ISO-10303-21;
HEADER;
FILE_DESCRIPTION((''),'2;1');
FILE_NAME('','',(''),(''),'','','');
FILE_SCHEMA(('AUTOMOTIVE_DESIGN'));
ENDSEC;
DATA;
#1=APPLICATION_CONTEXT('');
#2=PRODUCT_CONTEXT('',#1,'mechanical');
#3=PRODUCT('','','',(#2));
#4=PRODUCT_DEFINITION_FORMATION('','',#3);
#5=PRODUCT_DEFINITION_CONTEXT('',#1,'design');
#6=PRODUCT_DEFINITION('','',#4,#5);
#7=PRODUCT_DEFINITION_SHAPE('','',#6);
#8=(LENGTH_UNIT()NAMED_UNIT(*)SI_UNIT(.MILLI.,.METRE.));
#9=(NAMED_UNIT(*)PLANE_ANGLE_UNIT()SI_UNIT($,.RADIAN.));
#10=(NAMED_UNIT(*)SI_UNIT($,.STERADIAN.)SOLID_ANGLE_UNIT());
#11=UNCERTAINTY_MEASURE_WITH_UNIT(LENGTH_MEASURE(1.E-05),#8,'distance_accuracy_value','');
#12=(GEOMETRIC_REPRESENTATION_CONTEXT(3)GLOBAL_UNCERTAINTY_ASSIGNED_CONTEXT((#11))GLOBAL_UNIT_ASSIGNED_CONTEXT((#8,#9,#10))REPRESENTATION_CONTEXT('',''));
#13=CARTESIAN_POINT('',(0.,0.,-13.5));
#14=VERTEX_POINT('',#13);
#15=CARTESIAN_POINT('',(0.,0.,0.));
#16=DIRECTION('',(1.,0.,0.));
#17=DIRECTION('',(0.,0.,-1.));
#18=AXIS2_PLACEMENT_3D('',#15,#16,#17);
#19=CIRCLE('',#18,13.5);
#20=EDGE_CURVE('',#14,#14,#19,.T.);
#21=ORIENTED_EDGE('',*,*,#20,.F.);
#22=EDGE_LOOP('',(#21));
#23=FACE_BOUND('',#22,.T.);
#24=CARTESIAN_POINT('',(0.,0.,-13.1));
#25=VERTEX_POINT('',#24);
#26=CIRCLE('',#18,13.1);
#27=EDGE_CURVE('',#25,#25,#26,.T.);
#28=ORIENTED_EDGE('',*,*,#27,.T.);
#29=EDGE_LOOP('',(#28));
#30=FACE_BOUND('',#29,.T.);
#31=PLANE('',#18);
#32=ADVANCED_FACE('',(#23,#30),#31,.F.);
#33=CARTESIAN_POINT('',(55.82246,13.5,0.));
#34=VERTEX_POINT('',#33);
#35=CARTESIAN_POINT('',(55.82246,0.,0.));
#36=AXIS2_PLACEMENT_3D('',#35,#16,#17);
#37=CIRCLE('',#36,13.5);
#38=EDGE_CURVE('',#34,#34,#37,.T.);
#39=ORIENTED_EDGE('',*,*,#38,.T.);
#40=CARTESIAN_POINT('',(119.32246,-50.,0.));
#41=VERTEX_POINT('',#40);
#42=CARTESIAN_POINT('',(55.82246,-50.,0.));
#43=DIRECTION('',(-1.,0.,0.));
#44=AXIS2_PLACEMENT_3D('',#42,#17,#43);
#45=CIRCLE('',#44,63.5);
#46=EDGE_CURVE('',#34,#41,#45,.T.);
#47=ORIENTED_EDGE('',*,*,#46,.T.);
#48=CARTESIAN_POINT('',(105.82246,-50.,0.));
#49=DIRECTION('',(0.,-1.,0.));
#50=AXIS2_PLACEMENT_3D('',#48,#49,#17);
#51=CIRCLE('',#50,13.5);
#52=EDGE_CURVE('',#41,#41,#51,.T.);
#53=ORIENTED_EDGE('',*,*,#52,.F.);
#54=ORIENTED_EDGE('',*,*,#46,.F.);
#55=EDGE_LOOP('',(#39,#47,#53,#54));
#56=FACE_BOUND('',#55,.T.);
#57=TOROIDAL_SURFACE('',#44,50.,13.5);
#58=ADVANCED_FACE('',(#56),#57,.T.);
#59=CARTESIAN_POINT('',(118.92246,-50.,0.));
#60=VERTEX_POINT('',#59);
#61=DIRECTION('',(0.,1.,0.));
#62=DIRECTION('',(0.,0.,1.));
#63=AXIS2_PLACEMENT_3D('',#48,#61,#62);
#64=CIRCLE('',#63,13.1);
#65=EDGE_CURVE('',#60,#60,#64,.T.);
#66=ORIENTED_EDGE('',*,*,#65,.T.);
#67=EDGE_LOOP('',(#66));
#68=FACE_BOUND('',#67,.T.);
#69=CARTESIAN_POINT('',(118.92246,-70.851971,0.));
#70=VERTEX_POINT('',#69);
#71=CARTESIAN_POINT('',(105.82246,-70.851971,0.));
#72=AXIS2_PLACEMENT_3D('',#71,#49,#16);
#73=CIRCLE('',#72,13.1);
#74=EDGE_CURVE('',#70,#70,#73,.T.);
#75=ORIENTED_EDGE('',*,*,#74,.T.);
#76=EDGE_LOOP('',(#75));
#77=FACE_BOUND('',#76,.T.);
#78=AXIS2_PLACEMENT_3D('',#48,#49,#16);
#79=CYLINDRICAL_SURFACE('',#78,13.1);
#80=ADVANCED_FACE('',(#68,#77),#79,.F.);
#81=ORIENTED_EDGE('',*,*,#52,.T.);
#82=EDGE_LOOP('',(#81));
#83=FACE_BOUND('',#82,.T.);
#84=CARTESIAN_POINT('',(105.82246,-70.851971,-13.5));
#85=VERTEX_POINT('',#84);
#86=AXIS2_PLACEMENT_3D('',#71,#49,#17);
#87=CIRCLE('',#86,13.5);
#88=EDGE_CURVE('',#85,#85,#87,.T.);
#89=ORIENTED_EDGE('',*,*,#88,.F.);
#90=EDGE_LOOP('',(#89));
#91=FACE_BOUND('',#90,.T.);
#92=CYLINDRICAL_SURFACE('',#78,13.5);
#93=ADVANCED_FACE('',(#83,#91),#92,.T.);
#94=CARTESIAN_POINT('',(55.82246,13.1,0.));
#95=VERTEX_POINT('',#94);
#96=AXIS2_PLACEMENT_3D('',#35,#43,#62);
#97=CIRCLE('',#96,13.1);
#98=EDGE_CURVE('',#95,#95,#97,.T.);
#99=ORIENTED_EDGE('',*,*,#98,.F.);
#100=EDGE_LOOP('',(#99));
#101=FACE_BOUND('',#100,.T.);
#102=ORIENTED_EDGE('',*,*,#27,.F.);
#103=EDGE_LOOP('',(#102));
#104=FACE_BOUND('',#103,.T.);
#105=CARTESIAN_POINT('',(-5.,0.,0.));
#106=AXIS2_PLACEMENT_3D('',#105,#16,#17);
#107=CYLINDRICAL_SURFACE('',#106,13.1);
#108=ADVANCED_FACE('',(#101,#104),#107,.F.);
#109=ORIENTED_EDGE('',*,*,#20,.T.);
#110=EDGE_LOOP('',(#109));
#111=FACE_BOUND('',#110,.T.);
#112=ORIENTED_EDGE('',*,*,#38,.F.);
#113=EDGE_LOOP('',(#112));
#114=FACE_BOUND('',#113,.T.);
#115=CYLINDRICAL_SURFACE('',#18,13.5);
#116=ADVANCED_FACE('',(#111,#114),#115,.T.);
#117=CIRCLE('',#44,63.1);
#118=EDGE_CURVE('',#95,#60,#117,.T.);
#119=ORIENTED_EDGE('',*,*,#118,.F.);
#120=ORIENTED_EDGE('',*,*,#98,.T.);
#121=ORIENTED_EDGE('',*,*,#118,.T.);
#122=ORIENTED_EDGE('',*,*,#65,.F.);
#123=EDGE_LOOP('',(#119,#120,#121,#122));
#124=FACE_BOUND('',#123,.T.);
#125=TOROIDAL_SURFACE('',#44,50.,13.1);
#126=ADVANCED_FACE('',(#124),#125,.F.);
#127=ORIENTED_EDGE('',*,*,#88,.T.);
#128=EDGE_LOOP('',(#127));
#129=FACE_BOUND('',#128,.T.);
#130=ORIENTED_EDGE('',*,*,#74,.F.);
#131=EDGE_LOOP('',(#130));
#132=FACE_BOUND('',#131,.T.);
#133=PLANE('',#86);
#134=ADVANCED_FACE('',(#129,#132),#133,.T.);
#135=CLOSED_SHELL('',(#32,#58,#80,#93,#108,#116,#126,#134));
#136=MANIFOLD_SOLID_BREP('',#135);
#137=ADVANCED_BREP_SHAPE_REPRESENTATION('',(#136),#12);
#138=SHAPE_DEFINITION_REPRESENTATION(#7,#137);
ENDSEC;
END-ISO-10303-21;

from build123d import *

# Parameters (mm, degrees)
SKETCH2_R = 13.5
SKETCH3_R = 13.1


with BuildPart() as part:
    # Sweep1: sweep along a path in Sketch1
    with BuildLine(Plane.XY) as sweep1_path:
        Line((0, 0), (55.82246027, 0))
        ThreePointArc((55.82246027, 0), (91.17779933, -14.644660941), (105.82246027, -50))
        Line((105.82246027, -50), (105.82246027, -70.851970701))
    # Sketch2 → Sweep1 (sweep)
    with BuildSketch(Plane(origin=(0, 0, 0), x_dir=(0, 0, -1), z_dir=(1, 0, 0))):
        Circle(SKETCH2_R)
    sweep(path=sweep1_path.line)

    # Cut-Sweep1: sweep along a path in Sketch1<2>
    with BuildLine(Plane.XY) as cut_sweep1_path:
        Line((0, 0), (55.82246027, 0))
        ThreePointArc((55.82246027, 0), (91.17779933, -14.644660941), (105.82246027, -50))
        Line((105.82246027, -50), (105.82246027, -70.851970701))
    # Sketch3 → Cut-Sweep1 (sweep, cut)
    with BuildSketch(Plane.ZY):
        Circle(SKETCH3_R)
    sweep(path=cut_sweep1_path.line, mode=Mode.SUBTRACT)


solid = part.part
